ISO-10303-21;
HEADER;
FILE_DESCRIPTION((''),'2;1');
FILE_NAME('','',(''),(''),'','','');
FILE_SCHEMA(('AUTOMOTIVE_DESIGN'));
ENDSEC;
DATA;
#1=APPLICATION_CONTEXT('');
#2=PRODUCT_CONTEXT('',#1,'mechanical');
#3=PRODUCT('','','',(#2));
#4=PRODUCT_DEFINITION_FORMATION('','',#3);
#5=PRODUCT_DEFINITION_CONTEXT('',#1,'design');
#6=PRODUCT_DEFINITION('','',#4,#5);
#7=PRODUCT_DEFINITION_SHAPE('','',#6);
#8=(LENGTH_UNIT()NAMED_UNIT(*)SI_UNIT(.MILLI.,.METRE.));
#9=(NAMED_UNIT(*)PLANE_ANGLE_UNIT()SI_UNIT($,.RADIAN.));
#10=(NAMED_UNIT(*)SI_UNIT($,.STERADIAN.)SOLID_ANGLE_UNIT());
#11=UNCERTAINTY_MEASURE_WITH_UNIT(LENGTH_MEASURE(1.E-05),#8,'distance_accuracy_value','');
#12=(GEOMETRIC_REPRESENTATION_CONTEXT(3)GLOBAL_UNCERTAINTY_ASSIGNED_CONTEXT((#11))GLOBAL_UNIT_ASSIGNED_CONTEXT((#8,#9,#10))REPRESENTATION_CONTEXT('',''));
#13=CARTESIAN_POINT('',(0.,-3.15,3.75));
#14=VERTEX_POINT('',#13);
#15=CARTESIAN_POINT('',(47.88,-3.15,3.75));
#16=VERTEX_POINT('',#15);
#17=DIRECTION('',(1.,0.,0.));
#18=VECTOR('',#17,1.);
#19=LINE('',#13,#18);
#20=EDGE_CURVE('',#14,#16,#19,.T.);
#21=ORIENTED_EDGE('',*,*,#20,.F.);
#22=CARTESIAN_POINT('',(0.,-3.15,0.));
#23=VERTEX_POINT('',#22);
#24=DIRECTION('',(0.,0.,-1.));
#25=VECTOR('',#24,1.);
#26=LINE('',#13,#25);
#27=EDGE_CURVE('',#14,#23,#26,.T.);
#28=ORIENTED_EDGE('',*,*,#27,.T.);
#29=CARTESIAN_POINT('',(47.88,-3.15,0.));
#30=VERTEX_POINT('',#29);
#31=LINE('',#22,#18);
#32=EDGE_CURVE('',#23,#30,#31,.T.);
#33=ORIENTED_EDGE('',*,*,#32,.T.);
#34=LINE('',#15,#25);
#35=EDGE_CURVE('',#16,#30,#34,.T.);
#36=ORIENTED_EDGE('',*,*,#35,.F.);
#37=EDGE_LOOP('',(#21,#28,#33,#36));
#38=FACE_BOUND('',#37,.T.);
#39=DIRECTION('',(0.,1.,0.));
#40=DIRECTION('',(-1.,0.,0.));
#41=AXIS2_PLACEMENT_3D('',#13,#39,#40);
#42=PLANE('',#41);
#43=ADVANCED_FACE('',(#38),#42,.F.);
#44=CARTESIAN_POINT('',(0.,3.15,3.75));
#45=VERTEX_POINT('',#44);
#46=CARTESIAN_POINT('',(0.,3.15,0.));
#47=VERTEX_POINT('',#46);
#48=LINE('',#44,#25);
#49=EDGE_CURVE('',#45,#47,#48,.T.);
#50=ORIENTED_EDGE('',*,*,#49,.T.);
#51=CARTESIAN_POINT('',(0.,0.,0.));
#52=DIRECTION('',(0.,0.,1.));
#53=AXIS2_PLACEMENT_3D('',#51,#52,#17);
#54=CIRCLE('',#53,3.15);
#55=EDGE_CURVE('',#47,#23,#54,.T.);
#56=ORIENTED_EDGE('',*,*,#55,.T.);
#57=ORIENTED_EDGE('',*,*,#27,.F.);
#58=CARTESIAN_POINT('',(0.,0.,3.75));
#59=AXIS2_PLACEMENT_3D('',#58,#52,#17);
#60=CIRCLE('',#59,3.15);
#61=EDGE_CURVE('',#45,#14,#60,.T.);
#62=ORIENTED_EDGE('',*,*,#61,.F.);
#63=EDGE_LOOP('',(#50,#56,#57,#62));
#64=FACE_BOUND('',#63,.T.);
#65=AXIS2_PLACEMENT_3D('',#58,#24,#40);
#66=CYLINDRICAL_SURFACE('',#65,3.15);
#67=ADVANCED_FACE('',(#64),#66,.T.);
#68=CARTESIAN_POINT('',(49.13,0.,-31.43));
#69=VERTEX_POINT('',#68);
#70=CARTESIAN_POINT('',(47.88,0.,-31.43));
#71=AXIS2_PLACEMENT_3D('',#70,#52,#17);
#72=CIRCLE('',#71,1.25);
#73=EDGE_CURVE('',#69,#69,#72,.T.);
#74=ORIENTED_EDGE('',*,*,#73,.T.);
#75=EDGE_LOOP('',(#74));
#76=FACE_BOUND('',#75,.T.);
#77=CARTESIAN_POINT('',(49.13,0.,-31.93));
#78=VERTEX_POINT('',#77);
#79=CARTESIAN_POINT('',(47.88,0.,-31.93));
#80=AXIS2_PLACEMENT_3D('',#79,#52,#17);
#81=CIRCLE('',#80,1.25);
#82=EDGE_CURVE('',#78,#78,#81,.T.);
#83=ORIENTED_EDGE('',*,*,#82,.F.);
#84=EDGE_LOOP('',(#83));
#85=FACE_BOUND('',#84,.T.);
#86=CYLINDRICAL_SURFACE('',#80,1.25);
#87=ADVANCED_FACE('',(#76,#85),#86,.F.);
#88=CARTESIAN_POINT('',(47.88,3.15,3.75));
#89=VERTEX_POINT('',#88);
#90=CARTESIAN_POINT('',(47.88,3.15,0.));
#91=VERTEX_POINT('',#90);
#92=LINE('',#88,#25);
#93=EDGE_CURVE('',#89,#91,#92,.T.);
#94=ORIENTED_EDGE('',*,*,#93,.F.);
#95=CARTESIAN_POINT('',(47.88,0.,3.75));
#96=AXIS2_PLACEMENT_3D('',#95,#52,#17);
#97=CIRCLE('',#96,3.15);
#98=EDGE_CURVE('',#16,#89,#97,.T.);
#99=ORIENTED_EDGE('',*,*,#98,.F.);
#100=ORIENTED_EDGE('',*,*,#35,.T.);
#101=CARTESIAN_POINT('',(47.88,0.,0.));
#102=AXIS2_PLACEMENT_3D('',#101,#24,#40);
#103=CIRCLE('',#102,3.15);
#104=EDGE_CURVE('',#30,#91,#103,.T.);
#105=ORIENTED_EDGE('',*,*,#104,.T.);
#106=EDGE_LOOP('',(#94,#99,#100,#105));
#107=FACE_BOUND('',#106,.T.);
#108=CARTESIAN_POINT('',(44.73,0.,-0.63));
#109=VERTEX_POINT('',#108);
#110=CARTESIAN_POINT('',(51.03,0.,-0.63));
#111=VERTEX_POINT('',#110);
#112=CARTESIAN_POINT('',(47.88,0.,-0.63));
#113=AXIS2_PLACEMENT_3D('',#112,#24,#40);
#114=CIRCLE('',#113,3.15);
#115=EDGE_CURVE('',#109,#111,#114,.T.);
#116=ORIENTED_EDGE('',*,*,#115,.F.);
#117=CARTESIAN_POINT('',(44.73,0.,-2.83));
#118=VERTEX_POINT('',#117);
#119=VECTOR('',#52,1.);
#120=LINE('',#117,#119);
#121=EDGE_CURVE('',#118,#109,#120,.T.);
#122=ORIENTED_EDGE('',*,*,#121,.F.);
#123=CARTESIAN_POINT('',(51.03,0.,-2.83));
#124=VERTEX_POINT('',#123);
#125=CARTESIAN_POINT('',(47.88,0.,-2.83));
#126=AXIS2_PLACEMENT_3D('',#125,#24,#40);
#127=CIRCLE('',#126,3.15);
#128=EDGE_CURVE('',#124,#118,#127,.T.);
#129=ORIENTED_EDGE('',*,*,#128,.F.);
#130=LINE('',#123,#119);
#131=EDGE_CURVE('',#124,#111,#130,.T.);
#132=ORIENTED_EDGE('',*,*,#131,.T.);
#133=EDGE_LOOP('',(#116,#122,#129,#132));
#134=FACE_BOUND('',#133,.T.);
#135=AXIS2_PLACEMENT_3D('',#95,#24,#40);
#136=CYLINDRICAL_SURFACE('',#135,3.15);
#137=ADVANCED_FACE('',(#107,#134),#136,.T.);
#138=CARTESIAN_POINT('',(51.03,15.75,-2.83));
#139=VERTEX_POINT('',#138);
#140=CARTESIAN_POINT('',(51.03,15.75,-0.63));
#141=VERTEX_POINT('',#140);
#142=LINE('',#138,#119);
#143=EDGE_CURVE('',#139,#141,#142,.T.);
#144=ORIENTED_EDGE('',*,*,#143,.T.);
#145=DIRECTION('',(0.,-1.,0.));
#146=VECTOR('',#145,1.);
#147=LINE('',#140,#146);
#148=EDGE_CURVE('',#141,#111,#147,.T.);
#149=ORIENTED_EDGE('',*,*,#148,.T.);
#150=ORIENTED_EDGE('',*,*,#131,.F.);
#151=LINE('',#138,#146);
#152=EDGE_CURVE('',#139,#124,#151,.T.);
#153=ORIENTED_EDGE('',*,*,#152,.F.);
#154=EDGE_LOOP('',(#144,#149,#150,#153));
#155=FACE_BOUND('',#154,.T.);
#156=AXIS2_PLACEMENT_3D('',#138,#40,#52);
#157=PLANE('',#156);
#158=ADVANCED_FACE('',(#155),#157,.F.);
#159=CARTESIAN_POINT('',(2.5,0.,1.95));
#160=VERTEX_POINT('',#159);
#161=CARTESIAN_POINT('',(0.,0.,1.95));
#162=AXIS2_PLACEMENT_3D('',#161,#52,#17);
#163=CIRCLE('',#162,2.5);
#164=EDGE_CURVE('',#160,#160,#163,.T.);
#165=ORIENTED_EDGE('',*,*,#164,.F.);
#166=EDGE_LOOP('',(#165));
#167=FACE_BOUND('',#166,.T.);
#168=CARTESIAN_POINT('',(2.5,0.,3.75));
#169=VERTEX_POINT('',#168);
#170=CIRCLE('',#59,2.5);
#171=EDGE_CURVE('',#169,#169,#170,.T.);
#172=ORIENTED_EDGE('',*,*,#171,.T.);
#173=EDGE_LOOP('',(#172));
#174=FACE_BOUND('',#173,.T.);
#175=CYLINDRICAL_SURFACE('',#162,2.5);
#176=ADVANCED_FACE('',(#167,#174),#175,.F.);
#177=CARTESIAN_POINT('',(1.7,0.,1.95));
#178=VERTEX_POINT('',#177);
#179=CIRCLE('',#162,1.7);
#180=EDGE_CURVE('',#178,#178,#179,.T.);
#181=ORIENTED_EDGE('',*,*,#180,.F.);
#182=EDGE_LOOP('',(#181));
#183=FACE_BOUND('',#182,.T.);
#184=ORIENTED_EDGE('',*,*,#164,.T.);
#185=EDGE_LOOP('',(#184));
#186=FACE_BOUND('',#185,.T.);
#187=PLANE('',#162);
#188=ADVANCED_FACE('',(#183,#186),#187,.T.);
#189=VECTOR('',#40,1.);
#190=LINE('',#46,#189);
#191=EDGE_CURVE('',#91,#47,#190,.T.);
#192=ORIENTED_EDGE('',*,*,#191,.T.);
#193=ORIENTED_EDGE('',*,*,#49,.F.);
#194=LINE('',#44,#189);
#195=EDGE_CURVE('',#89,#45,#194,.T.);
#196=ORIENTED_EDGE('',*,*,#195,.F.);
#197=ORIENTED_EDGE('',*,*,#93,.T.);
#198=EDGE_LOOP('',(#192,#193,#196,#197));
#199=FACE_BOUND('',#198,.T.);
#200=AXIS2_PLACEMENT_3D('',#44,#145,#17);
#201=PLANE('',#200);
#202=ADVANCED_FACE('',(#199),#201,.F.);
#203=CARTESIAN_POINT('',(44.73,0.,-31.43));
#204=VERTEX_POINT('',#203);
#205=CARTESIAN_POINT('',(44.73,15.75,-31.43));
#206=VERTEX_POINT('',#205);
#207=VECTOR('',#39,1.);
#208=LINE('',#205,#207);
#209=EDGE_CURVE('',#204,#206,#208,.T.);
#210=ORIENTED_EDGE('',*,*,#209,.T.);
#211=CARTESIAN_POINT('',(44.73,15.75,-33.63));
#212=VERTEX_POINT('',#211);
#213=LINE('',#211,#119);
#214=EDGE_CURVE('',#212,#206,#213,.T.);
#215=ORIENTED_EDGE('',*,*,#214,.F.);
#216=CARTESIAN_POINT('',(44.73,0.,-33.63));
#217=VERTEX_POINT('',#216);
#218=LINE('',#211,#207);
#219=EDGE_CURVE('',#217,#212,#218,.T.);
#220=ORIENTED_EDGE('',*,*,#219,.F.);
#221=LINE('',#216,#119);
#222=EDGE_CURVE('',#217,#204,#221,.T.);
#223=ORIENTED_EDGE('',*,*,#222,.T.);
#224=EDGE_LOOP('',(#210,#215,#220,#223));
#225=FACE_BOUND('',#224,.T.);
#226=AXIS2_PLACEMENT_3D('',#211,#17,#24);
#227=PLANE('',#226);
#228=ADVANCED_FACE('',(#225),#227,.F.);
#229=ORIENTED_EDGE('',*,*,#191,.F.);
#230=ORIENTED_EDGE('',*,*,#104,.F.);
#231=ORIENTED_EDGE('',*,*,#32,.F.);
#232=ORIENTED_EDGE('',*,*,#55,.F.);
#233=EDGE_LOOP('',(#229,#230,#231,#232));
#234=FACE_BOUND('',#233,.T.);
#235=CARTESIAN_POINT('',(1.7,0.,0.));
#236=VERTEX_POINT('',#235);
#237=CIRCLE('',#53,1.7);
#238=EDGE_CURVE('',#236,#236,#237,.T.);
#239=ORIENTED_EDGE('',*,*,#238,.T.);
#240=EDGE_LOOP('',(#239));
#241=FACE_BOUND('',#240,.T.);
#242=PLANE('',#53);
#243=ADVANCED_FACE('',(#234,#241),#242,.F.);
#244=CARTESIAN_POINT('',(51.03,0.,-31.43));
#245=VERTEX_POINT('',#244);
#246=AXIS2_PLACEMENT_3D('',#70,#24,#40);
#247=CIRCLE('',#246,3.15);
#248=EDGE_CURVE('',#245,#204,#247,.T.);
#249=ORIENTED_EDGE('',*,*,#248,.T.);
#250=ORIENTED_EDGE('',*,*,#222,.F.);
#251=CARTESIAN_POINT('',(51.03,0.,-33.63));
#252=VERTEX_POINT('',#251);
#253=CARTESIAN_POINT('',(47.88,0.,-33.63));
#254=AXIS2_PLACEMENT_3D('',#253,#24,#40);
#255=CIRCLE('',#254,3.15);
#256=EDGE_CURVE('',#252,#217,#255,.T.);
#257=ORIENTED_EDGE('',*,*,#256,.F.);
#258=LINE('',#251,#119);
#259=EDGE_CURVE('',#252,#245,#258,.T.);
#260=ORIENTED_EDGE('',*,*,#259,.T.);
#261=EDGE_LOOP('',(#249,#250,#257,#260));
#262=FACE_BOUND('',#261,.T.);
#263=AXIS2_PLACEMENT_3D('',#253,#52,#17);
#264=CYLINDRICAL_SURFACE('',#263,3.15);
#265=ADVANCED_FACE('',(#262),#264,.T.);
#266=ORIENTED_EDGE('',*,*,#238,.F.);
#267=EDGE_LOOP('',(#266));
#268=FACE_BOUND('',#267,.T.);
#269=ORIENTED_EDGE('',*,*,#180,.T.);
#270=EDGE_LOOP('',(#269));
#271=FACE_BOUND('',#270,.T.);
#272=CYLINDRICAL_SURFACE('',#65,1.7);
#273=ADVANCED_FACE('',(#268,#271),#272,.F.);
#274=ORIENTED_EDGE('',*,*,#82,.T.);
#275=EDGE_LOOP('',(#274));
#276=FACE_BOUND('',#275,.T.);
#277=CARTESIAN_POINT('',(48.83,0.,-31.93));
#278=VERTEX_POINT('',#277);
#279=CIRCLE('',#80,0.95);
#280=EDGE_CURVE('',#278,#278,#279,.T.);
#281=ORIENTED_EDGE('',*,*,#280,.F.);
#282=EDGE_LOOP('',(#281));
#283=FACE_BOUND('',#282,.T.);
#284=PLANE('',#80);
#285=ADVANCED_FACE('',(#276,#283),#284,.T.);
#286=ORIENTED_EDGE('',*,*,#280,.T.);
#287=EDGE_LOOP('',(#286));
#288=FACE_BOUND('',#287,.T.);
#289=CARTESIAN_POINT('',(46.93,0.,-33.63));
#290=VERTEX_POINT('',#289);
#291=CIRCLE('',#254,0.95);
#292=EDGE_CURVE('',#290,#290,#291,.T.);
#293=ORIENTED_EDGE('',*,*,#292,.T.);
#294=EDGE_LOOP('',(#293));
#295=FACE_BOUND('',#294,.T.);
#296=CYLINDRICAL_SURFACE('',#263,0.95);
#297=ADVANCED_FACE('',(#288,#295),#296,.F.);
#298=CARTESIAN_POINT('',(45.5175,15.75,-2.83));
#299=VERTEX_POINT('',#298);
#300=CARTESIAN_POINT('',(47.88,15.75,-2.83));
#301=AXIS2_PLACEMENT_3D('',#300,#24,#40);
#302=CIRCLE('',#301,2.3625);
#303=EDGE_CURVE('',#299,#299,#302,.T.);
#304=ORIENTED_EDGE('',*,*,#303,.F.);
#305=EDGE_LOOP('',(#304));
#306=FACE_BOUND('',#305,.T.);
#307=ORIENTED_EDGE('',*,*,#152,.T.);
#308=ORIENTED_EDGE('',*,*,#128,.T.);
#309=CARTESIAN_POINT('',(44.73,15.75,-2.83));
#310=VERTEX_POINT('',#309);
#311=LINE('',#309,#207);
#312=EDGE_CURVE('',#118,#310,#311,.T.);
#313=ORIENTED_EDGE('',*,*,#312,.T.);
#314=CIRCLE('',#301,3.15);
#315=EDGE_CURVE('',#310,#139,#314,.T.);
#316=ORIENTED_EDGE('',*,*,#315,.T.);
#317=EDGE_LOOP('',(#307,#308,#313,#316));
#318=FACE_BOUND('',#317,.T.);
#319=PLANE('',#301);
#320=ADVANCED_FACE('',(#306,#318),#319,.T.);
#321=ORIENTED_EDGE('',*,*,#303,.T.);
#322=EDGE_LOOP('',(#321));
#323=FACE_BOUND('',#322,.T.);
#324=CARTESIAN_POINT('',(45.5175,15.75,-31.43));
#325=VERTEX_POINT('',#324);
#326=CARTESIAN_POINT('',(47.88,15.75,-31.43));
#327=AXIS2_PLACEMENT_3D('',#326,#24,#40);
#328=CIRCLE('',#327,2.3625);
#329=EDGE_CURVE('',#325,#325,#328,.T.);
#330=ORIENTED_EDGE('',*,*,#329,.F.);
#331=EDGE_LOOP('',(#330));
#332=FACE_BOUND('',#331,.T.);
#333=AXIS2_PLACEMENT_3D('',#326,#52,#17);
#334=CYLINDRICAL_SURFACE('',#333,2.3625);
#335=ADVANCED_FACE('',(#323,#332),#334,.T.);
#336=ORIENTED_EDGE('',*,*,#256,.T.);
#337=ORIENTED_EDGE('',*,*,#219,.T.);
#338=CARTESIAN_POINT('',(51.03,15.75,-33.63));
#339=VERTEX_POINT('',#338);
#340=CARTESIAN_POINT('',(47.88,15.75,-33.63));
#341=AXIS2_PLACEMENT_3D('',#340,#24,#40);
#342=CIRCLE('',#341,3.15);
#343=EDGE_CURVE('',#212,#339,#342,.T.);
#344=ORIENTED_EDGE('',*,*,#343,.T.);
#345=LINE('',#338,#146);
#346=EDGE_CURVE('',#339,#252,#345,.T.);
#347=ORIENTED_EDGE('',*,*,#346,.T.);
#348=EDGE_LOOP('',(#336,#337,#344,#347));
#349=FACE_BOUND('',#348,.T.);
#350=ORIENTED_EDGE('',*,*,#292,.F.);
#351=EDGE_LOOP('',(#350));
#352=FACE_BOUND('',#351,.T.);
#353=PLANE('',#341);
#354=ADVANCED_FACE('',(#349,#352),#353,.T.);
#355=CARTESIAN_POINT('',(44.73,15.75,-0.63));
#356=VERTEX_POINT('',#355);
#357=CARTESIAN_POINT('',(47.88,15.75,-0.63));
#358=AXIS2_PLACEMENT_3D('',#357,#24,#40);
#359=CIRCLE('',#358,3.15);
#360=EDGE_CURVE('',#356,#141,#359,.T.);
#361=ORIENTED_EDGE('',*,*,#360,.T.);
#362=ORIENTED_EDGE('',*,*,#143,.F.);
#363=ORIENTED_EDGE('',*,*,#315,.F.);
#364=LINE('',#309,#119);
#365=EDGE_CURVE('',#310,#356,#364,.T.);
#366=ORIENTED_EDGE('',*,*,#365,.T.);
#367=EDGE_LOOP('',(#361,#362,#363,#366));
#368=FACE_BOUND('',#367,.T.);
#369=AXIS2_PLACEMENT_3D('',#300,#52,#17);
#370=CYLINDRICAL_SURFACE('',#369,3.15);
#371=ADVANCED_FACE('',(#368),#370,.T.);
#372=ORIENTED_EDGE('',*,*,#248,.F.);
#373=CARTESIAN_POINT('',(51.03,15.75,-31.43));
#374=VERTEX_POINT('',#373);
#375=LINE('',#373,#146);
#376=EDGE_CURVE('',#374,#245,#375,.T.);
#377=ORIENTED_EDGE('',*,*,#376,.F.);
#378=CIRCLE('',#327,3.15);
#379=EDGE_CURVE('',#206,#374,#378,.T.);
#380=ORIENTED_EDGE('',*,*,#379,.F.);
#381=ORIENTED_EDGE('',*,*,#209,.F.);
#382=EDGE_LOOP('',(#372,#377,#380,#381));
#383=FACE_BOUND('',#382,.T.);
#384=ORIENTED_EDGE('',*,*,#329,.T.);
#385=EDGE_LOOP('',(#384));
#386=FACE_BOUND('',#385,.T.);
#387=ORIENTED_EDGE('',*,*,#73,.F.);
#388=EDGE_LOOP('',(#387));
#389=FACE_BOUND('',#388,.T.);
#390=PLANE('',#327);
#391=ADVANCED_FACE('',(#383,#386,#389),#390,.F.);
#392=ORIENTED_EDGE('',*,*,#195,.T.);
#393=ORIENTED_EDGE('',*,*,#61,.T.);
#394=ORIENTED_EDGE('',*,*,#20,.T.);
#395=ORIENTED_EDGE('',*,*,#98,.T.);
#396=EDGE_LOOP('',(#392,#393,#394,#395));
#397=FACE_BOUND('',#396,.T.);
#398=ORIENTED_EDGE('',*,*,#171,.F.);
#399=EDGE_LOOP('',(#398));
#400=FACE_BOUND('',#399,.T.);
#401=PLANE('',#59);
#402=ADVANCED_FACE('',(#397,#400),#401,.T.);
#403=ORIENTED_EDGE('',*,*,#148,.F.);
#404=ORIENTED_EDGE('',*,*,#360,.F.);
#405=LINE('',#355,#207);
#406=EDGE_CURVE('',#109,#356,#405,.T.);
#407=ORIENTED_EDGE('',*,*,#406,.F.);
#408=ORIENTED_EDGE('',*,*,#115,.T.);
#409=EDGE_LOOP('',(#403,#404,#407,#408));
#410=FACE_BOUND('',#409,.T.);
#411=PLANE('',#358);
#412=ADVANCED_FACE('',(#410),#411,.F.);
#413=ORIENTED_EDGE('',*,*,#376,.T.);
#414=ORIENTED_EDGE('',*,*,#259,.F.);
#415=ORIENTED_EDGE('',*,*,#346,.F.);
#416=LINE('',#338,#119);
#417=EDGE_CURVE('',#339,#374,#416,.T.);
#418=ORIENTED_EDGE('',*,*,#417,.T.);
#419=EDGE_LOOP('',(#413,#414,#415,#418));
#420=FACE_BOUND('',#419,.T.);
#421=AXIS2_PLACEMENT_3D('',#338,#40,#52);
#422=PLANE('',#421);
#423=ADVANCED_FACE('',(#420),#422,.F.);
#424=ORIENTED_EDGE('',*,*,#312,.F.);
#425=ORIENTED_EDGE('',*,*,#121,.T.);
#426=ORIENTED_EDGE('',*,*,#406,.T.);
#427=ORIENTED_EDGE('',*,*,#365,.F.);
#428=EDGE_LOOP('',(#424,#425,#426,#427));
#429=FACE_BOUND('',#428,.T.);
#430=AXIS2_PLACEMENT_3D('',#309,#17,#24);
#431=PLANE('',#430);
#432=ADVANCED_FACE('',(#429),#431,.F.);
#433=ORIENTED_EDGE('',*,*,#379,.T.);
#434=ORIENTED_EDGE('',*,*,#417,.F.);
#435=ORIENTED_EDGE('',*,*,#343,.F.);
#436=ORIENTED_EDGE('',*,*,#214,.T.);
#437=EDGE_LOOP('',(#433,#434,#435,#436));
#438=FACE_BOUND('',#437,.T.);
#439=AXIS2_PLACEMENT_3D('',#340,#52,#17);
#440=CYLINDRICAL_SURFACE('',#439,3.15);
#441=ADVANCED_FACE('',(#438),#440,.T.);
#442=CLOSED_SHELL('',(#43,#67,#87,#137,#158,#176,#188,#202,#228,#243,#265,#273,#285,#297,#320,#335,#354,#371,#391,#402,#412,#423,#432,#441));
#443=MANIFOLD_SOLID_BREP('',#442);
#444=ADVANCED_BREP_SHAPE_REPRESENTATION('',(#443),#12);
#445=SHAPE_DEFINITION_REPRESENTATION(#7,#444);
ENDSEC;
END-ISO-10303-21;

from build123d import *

# Parameters (mm, degrees)
CROQUIS1_R              = 1.7
SALIENTE_EXTRUIR1_DEPTH = 3.75
SALIENTE_EXTRUIR2_START = 0.63
CROQUIS2_R              = 3.15
SALIENTE_EXTRUIR2_DEPTH = 0.63
CROQUIS4_R              = 2.5
CORTAR_EXTRUIR1_DEPTH   = 1.8
SALIENTE_EXTRUIR3_START = 2.2
SALIENTE_EXTRUIR3_DEPTH = 2.2
CROQUIS6_R              = 2.3625
SALIENTE_EXTRUIR4_DEPTH = 28.6
SALIENTE_EXTRUIR5_START = 2.2
CROQUIS7_R              = 0.95
SALIENTE_EXTRUIR5_DEPTH = 2.2
CROQUIS8_R              = 1.25
CORTAR_EXTRUIR2_DEPTH   = 0.5


with BuildPart() as part:
    # Croquis1 → Saliente-Extruir1 (new body)
    with BuildSketch(Plane.XY):
        with BuildLine():
            Line((0, 3.15), (47.88, 3.15))
            ThreePointArc((47.88, 3.15), (51.03, 0), (47.88, -3.15))
            Line((47.88, -3.15), (0, -3.15))
            ThreePointArc((0, -3.15), (-3.15, 0), (0, 3.15))
        make_face()
        Circle(CROQUIS1_R, mode=Mode.SUBTRACT)
    extrude(amount=SALIENTE_EXTRUIR1_DEPTH)

    # Croquis2 → Saliente-Extruir2 (add)
    with BuildSketch(Plane(origin=(0, 0, 0), x_dir=(-1, 0, 0), z_dir=(0, 0, -1)).offset(SALIENTE_EXTRUIR2_START)):
        with Locations((-47.88, 0)):
            Circle(CROQUIS2_R)
    extrude(amount=-SALIENTE_EXTRUIR2_DEPTH)

    # Croquis4 → Cortar-Extruir1 (cut)
    with BuildSketch(Plane.XY.offset(3.75)):
        Circle(CROQUIS4_R)
    extrude(amount=-CORTAR_EXTRUIR1_DEPTH, mode=Mode.SUBTRACT)

    # Croquis5 → Saliente-Extruir3 (add)
    with BuildSketch(Plane(origin=(0, 0, -0.63), x_dir=(-1, 0, 0), z_dir=(0, 0, -1)).offset(SALIENTE_EXTRUIR3_START)):
        with BuildLine():
            Line((-51.03, 15.75), (-51.03, 0))
            ThreePointArc((-51.03, 0), (-47.88, -3.15), (-44.73, 0))
            Line((-44.73, 0), (-44.73, 15.75))
            ThreePointArc((-44.73, 15.75), (-47.88, 18.9), (-51.03, 15.75))
        make_face()
    extrude(amount=-SALIENTE_EXTRUIR3_DEPTH)

    # Croquis6 → Saliente-Extruir4 (add)
    with BuildSketch(Plane(origin=(0, 0, -2.83), x_dir=(-1, 0, 0), z_dir=(0, 0, -1))):
        with Locations((-47.88, 15.75)):
            Circle(CROQUIS6_R)
    extrude(amount=SALIENTE_EXTRUIR4_DEPTH)

    # Croquis7 → Saliente-Extruir5 (add)
    with BuildSketch(Plane(origin=(0, 0, -31.43), x_dir=(-1, 0, 0), z_dir=(0, 0, -1)).offset(SALIENTE_EXTRUIR5_START)):
        with BuildLine():
            Line((-51.03, 15.75), (-51.03, 0))
            ThreePointArc((-51.03, 0), (-47.88, -3.15), (-44.73, 0))
            Line((-44.73, 0), (-44.73, 15.75))
            ThreePointArc((-44.73, 15.75), (-47.88, 18.9), (-51.03, 15.75))
        make_face()
        with Locations((-47.88, 0)):
            Circle(CROQUIS7_R, mode=Mode.SUBTRACT)
    extrude(amount=-SALIENTE_EXTRUIR5_DEPTH)

    # Croquis8 → Cortar-Extruir2 (cut)
    with BuildSketch(Plane.XY.offset(-31.43)):
        with Locations((47.88, 0)):
            Circle(CROQUIS8_R)
    extrude(amount=-CORTAR_EXTRUIR2_DEPTH, mode=Mode.SUBTRACT)


solid = part.part
